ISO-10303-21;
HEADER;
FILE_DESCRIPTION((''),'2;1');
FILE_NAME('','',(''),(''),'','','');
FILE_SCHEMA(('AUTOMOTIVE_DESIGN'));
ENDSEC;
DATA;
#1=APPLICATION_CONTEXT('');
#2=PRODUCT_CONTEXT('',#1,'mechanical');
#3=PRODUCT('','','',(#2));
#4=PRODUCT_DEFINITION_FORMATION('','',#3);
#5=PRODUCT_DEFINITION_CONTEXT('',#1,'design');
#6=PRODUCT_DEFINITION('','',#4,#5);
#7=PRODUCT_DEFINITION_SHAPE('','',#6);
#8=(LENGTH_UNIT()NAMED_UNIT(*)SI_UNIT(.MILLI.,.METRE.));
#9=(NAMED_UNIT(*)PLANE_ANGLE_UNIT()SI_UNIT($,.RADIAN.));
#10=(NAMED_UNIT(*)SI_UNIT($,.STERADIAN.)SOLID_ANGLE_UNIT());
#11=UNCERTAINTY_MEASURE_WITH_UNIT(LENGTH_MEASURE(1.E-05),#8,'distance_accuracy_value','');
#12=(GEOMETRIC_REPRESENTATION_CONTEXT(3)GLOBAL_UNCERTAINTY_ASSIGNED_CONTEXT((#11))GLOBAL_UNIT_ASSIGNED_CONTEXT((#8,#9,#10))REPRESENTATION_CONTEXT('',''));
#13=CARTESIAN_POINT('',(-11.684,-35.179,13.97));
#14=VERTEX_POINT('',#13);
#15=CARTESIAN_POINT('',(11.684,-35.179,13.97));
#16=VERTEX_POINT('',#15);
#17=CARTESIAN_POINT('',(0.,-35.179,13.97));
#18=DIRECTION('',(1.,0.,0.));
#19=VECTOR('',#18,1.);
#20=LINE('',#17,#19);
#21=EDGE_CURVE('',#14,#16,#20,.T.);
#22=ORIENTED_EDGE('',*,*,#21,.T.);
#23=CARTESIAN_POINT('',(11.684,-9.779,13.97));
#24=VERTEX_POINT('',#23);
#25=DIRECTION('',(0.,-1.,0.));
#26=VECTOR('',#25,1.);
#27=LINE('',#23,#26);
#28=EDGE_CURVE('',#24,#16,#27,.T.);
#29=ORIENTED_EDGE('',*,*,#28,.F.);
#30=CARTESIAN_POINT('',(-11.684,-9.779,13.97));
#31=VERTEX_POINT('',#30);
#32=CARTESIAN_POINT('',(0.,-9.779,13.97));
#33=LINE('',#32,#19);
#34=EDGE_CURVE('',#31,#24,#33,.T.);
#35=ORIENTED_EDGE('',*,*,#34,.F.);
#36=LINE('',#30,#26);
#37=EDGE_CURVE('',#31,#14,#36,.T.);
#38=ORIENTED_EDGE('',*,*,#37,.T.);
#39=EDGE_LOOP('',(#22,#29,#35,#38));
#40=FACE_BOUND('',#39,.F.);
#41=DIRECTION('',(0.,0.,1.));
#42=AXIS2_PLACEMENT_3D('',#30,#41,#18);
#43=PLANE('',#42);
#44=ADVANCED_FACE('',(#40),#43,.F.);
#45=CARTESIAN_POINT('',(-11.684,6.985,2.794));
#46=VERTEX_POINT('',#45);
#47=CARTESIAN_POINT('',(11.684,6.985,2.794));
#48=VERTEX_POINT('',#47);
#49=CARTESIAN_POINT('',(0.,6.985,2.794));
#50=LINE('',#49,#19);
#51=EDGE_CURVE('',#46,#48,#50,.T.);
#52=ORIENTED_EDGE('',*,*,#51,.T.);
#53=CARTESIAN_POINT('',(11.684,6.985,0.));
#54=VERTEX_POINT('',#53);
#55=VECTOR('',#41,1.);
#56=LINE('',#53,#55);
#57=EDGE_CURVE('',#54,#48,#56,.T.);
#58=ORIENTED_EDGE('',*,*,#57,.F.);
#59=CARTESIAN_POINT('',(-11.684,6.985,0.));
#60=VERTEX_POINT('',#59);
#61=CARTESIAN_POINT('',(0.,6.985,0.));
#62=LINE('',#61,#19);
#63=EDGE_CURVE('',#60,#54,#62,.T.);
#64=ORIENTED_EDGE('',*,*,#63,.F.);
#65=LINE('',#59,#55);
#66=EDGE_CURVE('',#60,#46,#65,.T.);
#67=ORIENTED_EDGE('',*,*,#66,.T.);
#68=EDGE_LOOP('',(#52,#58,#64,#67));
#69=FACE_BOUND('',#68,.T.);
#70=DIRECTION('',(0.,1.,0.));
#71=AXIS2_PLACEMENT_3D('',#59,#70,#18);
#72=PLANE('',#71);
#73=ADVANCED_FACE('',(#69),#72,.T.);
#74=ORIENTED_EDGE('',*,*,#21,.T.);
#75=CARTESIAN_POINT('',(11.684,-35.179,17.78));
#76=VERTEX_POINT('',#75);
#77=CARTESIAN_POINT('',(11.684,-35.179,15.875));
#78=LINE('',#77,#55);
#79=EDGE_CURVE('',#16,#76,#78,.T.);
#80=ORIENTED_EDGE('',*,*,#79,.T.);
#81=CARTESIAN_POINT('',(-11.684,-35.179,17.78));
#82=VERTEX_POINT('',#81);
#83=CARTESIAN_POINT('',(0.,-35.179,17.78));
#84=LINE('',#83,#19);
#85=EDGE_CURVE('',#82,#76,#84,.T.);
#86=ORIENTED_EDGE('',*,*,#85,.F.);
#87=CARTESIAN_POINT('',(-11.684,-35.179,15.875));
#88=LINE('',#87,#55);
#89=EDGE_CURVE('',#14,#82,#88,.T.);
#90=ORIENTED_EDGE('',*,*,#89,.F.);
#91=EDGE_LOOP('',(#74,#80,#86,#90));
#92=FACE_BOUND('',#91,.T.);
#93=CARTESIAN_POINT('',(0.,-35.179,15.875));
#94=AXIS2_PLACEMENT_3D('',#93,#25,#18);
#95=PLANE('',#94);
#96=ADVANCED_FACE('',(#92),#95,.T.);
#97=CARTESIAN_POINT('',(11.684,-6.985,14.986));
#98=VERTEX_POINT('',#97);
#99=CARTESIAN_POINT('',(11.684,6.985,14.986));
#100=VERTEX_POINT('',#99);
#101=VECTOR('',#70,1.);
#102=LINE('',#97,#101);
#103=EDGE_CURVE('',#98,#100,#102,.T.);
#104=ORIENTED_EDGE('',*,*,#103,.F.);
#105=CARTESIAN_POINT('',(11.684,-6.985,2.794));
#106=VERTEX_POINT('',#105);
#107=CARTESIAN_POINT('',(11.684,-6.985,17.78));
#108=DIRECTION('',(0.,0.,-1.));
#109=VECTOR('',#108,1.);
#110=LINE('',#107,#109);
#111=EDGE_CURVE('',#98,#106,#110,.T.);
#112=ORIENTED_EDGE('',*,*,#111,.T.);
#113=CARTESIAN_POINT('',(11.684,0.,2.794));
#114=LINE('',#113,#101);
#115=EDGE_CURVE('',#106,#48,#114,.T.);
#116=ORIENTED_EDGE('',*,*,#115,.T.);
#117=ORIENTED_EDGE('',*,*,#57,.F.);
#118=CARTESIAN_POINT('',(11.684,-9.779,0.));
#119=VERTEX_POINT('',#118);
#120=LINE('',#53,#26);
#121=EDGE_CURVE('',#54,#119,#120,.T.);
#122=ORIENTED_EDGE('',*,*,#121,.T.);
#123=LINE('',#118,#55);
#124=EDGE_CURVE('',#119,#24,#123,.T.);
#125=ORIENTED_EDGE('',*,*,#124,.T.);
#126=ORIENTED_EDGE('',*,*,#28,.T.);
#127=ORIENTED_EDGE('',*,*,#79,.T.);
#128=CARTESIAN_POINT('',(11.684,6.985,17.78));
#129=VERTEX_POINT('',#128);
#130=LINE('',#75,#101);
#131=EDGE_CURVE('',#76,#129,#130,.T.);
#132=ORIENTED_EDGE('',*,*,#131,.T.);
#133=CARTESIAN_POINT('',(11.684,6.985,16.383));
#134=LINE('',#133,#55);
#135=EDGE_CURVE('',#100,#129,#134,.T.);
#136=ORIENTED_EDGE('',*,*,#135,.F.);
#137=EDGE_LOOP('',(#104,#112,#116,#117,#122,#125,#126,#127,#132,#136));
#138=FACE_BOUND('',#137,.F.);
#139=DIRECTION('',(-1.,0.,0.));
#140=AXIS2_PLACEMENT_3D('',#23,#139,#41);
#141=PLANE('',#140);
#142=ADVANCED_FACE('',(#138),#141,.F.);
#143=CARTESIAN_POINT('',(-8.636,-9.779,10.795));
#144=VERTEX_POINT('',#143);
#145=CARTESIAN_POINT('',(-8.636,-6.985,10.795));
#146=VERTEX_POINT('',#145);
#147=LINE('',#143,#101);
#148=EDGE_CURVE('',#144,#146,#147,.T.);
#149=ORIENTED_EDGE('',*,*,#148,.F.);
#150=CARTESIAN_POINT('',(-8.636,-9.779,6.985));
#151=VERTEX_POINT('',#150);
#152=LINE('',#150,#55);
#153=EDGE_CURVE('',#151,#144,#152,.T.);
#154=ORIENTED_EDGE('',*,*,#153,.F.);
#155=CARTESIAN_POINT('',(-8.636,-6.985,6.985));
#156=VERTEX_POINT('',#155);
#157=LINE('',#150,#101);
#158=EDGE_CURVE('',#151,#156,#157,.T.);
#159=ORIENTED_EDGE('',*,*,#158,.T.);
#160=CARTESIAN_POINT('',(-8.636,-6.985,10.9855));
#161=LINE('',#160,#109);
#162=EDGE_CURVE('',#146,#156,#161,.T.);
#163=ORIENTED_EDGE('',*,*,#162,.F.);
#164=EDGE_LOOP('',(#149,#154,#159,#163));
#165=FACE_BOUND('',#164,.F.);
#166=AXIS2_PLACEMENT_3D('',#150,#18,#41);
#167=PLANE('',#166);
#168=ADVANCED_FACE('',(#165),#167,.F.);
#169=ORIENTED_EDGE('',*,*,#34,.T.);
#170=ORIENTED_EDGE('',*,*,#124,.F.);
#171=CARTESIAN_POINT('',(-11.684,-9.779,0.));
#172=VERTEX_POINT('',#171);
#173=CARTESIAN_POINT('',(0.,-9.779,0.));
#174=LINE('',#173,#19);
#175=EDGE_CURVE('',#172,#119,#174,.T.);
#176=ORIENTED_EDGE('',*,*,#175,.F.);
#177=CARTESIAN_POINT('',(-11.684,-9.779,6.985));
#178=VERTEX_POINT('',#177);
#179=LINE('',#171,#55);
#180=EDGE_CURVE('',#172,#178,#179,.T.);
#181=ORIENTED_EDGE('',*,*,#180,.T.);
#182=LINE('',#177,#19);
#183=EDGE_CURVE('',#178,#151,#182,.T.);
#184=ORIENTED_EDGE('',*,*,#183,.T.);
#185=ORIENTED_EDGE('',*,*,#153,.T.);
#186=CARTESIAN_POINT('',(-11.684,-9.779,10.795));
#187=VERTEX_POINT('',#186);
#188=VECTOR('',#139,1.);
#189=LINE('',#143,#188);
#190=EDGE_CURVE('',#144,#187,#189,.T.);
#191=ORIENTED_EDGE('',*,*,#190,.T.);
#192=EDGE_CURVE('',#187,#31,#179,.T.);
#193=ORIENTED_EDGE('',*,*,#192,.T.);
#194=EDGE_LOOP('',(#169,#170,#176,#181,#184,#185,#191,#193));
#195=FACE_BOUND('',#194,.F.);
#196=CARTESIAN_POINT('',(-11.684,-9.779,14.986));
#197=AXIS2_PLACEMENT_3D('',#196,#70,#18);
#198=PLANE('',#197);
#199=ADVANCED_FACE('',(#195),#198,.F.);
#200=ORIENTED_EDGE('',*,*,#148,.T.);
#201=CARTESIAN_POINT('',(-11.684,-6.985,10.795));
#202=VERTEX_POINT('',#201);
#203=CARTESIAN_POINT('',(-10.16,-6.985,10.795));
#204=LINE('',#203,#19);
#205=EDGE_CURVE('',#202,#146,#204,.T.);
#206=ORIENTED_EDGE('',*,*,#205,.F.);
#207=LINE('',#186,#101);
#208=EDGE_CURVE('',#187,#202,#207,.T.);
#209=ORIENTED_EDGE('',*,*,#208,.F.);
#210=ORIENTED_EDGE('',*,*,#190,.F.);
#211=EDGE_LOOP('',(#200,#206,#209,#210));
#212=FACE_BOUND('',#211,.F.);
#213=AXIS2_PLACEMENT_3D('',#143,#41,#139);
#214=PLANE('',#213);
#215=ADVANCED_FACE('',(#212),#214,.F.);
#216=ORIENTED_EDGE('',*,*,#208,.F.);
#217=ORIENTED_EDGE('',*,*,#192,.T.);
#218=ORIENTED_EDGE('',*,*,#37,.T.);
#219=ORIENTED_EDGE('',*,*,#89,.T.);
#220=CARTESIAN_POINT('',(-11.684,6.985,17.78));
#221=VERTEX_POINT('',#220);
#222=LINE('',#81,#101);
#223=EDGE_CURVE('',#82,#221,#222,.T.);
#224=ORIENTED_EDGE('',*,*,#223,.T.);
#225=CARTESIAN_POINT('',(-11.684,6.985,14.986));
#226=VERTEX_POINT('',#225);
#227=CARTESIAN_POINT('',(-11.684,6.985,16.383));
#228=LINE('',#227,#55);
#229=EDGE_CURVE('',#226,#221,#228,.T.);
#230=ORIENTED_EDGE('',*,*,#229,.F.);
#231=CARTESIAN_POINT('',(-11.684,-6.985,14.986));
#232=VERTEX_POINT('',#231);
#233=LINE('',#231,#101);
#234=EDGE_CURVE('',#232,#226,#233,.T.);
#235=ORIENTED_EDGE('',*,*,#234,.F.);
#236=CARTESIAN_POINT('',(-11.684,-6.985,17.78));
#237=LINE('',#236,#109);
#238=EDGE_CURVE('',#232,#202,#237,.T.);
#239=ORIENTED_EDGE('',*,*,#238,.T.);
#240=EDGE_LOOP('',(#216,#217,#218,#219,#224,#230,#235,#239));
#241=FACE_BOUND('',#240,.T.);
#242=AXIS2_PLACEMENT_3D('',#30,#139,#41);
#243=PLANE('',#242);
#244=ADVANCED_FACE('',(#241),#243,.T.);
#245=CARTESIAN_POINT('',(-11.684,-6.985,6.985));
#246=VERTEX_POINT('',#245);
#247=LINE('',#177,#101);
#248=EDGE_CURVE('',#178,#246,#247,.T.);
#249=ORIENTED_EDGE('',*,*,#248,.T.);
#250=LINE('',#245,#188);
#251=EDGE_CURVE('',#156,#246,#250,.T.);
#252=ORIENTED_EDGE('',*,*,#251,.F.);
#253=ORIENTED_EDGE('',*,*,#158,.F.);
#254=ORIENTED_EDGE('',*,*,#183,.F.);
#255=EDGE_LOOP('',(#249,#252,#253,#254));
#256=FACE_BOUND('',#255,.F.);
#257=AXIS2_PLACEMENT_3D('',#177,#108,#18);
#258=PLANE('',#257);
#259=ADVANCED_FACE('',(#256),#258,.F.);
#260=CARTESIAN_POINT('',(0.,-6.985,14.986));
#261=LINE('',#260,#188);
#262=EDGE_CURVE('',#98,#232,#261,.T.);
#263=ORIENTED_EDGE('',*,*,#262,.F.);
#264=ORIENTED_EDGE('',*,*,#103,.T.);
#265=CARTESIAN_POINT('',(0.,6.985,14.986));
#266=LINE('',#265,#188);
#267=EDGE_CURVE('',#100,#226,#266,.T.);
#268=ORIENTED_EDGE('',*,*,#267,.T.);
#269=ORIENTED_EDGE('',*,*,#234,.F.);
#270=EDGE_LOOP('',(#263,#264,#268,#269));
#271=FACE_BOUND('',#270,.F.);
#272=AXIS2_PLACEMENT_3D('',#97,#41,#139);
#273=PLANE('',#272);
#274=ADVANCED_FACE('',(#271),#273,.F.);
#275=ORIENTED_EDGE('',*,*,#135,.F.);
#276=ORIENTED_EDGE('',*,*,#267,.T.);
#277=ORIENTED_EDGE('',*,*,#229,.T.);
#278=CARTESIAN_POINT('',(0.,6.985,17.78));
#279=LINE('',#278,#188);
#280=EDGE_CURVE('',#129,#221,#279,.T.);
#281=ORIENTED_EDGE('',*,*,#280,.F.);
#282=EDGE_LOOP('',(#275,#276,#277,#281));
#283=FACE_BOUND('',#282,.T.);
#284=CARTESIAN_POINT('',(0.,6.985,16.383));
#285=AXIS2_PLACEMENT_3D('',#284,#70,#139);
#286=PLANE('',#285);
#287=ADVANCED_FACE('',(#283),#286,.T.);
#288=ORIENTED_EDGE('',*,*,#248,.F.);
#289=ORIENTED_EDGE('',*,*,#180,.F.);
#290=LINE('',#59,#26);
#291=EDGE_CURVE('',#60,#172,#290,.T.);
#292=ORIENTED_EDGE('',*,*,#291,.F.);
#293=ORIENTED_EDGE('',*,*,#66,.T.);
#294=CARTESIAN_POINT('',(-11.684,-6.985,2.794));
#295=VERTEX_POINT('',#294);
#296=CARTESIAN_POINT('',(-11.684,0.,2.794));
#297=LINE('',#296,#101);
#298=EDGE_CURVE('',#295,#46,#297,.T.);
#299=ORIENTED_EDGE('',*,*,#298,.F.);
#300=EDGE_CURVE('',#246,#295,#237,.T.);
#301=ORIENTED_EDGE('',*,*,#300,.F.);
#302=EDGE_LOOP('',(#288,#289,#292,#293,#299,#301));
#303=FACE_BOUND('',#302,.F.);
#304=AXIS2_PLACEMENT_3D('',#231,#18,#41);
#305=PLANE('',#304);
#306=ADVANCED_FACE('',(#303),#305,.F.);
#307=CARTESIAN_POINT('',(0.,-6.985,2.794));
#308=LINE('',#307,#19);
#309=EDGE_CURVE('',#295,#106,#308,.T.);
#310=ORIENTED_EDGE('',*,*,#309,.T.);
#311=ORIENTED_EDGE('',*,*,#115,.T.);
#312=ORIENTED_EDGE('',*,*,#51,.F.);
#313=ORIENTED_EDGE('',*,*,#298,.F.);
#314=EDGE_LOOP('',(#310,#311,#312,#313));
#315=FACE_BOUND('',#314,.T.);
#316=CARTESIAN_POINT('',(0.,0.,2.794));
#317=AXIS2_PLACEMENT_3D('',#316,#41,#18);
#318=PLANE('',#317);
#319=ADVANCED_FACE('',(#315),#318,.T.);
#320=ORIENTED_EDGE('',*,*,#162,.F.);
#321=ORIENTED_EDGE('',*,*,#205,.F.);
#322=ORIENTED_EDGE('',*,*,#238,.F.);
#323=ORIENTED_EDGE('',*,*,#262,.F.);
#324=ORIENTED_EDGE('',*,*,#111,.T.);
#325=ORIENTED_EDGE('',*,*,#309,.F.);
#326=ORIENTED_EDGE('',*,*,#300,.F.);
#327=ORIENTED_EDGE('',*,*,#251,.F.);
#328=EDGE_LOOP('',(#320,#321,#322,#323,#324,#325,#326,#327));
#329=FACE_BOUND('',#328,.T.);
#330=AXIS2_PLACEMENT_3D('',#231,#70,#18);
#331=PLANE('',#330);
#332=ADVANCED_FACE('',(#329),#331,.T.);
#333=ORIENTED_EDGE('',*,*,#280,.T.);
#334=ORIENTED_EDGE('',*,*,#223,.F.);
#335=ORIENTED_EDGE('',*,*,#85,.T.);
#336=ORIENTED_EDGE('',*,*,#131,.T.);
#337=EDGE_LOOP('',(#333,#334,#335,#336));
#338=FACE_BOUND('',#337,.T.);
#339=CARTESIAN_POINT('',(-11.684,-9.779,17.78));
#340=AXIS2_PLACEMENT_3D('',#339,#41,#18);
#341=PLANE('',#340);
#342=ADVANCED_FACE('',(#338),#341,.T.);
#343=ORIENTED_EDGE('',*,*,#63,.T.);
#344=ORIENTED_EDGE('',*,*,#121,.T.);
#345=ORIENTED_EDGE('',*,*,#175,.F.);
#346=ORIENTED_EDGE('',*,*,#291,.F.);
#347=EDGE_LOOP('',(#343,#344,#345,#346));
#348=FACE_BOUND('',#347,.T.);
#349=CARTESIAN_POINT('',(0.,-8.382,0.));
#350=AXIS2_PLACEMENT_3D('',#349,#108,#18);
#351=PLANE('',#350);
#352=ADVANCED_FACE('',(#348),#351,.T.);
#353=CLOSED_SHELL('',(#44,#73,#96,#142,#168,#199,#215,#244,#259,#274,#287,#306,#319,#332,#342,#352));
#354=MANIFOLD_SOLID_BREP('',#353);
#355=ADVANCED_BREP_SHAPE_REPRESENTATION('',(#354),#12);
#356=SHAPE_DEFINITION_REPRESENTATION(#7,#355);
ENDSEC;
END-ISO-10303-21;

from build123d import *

# Parameters (mm, degrees)
F0_W      = 23.368
F0_H      = 13.97
F1_DEPTH  = 2.794
F2_W      = 23.368
F2_H      = 2.794
F3_DEPTH  = 14.986
F3_FACE_W = 23.368
F3_FACE_H = 2.794
F4_DEPTH  = 2.794
F5_W      = 23.368
F5_H      = 2.794
F6_DEPTH  = 13.97
F8_DEPTH  = 25.4
F9_W      = 23.368
F9_H      = 3.81
F10_DEPTH = 25.4


with BuildPart() as f1:
    # F0 (on Top) → F1 (new body)
    with BuildSketch(Plane.XY):
        Rectangle(F0_W, F0_H)
    extrude(amount=F1_DEPTH)

    # F2 (on face) → F3 (join)
    with BuildSketch(Plane(origin=(0, 0, 0), x_dir=(1, 0, 0), z_dir=(0, 0, -1))):
        with Locations((0, 8.382)):
            Rectangle(F2_W, F2_H)
    extrude(amount=-F3_DEPTH)

    # F3_face (on face) → F4 (join)
    with BuildSketch(Plane(origin=(0, -8.382, 14.986), x_dir=(1, 0, 0), z_dir=(0, 0, 1))):
        Rectangle(F3_FACE_W, F3_FACE_H)
    extrude(amount=F4_DEPTH)

    # F5 (on face) → F6 (join)
    with BuildSketch(Plane(origin=(0, -6.985, 0), x_dir=(-1, 0, 0), z_dir=(0, 1, 0))):
        with Locations((0, 16.383)):
            Rectangle(F5_W, F5_H)
    extrude(amount=F6_DEPTH)

    # F7 (on face) → F8 (cut)
    with BuildSketch(Plane.XZ.offset(9.779)):
        Polygon((-8.636, 10.795), (-11.684, 10.795), (-11.684, 8.89), (-11.684, 6.985), (-8.636, 6.985), align=None)
    extrude(amount=-F8_DEPTH, mode=Mode.SUBTRACT)

    # F9 (on face) → F10 (join)
    with BuildSketch(Plane.XZ.offset(9.779)):
        with Locations((0, 15.875)):
            Rectangle(F9_W, F9_H)
    extrude(amount=F10_DEPTH)


solid = f1.part
